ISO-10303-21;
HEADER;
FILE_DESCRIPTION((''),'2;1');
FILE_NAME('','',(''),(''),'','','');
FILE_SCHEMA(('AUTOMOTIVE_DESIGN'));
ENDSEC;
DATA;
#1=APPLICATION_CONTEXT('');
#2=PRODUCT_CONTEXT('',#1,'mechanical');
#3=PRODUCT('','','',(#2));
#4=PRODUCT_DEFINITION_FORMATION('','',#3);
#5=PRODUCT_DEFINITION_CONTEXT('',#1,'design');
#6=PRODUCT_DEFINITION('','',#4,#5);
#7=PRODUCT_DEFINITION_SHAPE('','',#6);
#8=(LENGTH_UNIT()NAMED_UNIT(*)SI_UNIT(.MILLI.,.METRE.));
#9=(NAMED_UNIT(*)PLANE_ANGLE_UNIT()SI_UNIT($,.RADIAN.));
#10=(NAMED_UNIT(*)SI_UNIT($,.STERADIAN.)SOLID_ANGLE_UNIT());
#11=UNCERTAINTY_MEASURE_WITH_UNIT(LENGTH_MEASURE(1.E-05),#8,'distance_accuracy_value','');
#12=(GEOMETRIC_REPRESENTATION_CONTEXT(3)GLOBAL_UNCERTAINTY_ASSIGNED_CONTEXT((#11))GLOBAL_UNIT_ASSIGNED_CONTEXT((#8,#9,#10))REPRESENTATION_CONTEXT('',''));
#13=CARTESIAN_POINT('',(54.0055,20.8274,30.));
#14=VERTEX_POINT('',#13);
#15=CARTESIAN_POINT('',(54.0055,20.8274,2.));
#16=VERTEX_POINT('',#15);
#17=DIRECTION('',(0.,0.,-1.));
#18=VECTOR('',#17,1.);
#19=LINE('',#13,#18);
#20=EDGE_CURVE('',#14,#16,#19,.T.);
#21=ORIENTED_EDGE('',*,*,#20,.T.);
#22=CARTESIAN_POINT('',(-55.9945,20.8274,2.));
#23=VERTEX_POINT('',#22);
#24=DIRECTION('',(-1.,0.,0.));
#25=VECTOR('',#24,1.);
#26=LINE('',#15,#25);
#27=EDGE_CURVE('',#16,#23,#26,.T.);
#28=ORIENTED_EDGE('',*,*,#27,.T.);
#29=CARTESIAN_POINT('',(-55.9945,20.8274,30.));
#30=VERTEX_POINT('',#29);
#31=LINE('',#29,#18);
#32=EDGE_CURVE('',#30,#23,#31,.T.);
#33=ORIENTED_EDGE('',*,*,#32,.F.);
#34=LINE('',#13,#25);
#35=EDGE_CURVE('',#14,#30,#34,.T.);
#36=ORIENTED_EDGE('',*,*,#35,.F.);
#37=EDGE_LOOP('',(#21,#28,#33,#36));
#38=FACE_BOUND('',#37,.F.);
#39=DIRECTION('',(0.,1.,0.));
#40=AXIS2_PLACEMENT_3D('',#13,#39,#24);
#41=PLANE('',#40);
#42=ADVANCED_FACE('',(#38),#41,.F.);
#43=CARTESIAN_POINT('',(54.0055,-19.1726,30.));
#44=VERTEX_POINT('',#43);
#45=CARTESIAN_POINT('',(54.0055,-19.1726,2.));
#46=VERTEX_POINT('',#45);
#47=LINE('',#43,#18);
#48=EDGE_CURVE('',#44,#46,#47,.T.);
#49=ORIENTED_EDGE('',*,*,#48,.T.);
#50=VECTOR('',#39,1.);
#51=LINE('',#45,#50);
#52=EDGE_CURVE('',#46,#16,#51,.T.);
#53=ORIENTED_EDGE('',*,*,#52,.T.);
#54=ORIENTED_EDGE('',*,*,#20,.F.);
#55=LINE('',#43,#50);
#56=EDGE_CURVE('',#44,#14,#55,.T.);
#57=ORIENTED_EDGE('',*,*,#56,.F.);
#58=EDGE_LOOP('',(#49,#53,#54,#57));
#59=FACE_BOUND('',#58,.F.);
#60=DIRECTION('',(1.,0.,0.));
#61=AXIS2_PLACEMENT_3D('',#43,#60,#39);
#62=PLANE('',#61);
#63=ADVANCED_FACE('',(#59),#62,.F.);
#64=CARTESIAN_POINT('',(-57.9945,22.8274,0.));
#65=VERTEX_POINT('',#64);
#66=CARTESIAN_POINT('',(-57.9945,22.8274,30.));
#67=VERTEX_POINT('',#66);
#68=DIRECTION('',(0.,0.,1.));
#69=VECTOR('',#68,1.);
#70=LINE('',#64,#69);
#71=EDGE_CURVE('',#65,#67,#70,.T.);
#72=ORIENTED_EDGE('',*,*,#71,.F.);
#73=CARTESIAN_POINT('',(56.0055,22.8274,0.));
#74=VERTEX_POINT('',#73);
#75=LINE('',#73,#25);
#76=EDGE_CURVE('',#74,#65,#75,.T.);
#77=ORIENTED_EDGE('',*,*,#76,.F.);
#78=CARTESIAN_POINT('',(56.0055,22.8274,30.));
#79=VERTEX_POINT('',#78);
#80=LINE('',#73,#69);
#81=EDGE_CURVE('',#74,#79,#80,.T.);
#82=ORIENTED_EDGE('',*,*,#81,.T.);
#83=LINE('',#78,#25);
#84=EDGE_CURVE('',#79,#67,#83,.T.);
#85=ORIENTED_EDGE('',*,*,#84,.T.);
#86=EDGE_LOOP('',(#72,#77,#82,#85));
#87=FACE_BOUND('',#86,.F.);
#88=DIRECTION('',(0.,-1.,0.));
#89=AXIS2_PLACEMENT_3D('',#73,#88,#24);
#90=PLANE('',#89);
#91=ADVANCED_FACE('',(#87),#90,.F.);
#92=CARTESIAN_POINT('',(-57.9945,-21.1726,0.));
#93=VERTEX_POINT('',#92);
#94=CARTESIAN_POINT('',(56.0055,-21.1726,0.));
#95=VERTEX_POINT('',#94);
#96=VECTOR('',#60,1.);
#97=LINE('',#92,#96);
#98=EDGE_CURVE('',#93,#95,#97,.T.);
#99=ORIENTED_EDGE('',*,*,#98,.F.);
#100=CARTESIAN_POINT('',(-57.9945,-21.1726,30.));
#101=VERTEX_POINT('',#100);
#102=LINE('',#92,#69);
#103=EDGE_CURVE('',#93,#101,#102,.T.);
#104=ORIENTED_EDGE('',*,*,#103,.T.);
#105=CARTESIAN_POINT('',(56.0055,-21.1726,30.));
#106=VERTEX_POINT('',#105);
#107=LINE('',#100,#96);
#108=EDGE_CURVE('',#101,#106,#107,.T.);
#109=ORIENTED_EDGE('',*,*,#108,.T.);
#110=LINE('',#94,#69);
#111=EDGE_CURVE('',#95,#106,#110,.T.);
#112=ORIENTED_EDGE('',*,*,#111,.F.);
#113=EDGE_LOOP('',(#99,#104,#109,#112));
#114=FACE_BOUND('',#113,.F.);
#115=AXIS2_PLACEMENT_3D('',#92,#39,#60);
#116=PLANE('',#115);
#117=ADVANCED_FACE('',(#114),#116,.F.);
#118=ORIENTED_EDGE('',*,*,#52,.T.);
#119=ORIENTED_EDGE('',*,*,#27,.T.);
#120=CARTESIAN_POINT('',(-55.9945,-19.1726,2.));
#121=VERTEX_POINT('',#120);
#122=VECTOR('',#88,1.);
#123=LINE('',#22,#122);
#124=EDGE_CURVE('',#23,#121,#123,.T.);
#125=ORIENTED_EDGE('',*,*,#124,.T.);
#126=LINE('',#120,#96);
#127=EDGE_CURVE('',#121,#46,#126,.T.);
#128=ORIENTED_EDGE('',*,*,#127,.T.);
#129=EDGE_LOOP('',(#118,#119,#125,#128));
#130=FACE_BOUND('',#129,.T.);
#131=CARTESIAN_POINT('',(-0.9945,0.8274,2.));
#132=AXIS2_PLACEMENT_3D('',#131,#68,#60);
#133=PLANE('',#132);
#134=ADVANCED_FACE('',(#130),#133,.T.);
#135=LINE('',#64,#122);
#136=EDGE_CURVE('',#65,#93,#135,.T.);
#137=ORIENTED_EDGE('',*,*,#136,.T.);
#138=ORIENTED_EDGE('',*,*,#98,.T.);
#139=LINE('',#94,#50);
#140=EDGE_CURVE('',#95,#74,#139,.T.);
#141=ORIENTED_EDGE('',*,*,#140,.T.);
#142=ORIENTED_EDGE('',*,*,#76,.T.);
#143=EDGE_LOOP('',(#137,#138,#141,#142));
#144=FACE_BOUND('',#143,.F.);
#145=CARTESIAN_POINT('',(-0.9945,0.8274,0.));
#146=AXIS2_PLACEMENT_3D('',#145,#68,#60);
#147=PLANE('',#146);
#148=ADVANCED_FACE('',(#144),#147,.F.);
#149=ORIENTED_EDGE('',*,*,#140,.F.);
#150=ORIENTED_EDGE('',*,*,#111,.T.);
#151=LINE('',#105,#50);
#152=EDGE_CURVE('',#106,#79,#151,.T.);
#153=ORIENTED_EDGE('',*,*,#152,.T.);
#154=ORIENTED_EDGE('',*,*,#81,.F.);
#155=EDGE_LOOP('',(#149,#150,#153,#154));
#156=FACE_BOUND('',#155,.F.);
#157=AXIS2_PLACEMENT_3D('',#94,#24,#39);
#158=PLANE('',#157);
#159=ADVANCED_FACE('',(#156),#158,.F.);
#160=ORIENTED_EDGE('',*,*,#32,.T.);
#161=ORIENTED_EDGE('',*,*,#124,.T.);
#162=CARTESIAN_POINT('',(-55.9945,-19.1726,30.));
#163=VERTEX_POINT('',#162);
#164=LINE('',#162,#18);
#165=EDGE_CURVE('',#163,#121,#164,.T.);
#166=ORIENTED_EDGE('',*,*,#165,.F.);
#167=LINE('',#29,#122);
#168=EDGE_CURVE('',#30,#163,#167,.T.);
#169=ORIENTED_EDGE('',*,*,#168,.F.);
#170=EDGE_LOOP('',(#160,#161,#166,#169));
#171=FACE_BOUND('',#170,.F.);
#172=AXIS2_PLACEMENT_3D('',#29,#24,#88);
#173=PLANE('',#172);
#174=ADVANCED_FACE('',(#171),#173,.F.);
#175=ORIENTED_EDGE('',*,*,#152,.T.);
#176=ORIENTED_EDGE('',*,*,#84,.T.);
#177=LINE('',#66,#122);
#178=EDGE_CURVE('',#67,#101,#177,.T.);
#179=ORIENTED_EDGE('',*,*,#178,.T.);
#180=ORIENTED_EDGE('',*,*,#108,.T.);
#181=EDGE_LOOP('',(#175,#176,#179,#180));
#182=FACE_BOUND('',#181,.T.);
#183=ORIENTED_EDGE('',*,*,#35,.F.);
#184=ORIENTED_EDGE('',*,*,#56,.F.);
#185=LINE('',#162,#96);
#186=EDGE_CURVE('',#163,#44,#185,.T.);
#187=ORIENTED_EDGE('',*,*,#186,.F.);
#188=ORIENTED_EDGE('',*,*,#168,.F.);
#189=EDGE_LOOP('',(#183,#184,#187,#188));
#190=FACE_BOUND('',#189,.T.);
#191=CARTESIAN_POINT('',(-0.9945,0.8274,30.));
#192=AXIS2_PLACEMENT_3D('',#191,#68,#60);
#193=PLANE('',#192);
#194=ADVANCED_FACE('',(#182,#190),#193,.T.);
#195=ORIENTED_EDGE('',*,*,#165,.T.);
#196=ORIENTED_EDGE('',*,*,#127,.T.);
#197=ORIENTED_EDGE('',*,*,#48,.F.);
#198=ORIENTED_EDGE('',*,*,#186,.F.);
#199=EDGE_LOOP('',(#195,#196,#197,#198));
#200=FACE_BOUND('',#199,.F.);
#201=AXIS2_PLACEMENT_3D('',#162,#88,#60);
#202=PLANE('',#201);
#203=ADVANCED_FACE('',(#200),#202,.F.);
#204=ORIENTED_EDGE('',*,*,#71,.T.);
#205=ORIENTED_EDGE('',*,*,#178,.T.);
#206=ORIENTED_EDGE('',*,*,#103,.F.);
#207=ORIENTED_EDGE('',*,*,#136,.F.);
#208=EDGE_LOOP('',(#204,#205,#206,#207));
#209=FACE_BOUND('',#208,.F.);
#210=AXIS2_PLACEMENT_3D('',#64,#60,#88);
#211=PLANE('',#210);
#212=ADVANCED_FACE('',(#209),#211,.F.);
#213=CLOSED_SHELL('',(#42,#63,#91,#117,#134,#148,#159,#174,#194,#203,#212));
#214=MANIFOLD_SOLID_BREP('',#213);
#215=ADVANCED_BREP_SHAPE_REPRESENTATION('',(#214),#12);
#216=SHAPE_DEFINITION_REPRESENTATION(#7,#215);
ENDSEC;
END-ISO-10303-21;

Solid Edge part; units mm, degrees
sketch "Sketch1" plane through (0, 0, 0) normal (0, 0, 1) x (1, 0, 0)
  line L0 (-57.9945, -21.1726) -> (56.0055, -21.1726)
  line L1 (56.0055, -21.1726) -> (56.0055, 22.8274)
  line L2 (56.0055, 22.8274) -> (-57.9945, 22.8274)
  line L3 (-57.9945, 22.8274) -> (-57.9945, -21.1726)
extrude "Protrusion1" add sketch "Sketch1" along normal blind 30
sketch "Sketch2" plane through (-0.9945, 0.8274, 30) normal (0, 0, 1) x (1, 0, 0)
  line L0 (-55, -20) -> (55, -20)
  line L1 (55, -20) -> (55, 20)
  line L2 (55, 20) -> (-55, 20)
  line L3 (-55, 20) -> (-55, -20)
extrude "ExtrudedCutout_1" cut sketch "Sketch2" against normal blind 28
